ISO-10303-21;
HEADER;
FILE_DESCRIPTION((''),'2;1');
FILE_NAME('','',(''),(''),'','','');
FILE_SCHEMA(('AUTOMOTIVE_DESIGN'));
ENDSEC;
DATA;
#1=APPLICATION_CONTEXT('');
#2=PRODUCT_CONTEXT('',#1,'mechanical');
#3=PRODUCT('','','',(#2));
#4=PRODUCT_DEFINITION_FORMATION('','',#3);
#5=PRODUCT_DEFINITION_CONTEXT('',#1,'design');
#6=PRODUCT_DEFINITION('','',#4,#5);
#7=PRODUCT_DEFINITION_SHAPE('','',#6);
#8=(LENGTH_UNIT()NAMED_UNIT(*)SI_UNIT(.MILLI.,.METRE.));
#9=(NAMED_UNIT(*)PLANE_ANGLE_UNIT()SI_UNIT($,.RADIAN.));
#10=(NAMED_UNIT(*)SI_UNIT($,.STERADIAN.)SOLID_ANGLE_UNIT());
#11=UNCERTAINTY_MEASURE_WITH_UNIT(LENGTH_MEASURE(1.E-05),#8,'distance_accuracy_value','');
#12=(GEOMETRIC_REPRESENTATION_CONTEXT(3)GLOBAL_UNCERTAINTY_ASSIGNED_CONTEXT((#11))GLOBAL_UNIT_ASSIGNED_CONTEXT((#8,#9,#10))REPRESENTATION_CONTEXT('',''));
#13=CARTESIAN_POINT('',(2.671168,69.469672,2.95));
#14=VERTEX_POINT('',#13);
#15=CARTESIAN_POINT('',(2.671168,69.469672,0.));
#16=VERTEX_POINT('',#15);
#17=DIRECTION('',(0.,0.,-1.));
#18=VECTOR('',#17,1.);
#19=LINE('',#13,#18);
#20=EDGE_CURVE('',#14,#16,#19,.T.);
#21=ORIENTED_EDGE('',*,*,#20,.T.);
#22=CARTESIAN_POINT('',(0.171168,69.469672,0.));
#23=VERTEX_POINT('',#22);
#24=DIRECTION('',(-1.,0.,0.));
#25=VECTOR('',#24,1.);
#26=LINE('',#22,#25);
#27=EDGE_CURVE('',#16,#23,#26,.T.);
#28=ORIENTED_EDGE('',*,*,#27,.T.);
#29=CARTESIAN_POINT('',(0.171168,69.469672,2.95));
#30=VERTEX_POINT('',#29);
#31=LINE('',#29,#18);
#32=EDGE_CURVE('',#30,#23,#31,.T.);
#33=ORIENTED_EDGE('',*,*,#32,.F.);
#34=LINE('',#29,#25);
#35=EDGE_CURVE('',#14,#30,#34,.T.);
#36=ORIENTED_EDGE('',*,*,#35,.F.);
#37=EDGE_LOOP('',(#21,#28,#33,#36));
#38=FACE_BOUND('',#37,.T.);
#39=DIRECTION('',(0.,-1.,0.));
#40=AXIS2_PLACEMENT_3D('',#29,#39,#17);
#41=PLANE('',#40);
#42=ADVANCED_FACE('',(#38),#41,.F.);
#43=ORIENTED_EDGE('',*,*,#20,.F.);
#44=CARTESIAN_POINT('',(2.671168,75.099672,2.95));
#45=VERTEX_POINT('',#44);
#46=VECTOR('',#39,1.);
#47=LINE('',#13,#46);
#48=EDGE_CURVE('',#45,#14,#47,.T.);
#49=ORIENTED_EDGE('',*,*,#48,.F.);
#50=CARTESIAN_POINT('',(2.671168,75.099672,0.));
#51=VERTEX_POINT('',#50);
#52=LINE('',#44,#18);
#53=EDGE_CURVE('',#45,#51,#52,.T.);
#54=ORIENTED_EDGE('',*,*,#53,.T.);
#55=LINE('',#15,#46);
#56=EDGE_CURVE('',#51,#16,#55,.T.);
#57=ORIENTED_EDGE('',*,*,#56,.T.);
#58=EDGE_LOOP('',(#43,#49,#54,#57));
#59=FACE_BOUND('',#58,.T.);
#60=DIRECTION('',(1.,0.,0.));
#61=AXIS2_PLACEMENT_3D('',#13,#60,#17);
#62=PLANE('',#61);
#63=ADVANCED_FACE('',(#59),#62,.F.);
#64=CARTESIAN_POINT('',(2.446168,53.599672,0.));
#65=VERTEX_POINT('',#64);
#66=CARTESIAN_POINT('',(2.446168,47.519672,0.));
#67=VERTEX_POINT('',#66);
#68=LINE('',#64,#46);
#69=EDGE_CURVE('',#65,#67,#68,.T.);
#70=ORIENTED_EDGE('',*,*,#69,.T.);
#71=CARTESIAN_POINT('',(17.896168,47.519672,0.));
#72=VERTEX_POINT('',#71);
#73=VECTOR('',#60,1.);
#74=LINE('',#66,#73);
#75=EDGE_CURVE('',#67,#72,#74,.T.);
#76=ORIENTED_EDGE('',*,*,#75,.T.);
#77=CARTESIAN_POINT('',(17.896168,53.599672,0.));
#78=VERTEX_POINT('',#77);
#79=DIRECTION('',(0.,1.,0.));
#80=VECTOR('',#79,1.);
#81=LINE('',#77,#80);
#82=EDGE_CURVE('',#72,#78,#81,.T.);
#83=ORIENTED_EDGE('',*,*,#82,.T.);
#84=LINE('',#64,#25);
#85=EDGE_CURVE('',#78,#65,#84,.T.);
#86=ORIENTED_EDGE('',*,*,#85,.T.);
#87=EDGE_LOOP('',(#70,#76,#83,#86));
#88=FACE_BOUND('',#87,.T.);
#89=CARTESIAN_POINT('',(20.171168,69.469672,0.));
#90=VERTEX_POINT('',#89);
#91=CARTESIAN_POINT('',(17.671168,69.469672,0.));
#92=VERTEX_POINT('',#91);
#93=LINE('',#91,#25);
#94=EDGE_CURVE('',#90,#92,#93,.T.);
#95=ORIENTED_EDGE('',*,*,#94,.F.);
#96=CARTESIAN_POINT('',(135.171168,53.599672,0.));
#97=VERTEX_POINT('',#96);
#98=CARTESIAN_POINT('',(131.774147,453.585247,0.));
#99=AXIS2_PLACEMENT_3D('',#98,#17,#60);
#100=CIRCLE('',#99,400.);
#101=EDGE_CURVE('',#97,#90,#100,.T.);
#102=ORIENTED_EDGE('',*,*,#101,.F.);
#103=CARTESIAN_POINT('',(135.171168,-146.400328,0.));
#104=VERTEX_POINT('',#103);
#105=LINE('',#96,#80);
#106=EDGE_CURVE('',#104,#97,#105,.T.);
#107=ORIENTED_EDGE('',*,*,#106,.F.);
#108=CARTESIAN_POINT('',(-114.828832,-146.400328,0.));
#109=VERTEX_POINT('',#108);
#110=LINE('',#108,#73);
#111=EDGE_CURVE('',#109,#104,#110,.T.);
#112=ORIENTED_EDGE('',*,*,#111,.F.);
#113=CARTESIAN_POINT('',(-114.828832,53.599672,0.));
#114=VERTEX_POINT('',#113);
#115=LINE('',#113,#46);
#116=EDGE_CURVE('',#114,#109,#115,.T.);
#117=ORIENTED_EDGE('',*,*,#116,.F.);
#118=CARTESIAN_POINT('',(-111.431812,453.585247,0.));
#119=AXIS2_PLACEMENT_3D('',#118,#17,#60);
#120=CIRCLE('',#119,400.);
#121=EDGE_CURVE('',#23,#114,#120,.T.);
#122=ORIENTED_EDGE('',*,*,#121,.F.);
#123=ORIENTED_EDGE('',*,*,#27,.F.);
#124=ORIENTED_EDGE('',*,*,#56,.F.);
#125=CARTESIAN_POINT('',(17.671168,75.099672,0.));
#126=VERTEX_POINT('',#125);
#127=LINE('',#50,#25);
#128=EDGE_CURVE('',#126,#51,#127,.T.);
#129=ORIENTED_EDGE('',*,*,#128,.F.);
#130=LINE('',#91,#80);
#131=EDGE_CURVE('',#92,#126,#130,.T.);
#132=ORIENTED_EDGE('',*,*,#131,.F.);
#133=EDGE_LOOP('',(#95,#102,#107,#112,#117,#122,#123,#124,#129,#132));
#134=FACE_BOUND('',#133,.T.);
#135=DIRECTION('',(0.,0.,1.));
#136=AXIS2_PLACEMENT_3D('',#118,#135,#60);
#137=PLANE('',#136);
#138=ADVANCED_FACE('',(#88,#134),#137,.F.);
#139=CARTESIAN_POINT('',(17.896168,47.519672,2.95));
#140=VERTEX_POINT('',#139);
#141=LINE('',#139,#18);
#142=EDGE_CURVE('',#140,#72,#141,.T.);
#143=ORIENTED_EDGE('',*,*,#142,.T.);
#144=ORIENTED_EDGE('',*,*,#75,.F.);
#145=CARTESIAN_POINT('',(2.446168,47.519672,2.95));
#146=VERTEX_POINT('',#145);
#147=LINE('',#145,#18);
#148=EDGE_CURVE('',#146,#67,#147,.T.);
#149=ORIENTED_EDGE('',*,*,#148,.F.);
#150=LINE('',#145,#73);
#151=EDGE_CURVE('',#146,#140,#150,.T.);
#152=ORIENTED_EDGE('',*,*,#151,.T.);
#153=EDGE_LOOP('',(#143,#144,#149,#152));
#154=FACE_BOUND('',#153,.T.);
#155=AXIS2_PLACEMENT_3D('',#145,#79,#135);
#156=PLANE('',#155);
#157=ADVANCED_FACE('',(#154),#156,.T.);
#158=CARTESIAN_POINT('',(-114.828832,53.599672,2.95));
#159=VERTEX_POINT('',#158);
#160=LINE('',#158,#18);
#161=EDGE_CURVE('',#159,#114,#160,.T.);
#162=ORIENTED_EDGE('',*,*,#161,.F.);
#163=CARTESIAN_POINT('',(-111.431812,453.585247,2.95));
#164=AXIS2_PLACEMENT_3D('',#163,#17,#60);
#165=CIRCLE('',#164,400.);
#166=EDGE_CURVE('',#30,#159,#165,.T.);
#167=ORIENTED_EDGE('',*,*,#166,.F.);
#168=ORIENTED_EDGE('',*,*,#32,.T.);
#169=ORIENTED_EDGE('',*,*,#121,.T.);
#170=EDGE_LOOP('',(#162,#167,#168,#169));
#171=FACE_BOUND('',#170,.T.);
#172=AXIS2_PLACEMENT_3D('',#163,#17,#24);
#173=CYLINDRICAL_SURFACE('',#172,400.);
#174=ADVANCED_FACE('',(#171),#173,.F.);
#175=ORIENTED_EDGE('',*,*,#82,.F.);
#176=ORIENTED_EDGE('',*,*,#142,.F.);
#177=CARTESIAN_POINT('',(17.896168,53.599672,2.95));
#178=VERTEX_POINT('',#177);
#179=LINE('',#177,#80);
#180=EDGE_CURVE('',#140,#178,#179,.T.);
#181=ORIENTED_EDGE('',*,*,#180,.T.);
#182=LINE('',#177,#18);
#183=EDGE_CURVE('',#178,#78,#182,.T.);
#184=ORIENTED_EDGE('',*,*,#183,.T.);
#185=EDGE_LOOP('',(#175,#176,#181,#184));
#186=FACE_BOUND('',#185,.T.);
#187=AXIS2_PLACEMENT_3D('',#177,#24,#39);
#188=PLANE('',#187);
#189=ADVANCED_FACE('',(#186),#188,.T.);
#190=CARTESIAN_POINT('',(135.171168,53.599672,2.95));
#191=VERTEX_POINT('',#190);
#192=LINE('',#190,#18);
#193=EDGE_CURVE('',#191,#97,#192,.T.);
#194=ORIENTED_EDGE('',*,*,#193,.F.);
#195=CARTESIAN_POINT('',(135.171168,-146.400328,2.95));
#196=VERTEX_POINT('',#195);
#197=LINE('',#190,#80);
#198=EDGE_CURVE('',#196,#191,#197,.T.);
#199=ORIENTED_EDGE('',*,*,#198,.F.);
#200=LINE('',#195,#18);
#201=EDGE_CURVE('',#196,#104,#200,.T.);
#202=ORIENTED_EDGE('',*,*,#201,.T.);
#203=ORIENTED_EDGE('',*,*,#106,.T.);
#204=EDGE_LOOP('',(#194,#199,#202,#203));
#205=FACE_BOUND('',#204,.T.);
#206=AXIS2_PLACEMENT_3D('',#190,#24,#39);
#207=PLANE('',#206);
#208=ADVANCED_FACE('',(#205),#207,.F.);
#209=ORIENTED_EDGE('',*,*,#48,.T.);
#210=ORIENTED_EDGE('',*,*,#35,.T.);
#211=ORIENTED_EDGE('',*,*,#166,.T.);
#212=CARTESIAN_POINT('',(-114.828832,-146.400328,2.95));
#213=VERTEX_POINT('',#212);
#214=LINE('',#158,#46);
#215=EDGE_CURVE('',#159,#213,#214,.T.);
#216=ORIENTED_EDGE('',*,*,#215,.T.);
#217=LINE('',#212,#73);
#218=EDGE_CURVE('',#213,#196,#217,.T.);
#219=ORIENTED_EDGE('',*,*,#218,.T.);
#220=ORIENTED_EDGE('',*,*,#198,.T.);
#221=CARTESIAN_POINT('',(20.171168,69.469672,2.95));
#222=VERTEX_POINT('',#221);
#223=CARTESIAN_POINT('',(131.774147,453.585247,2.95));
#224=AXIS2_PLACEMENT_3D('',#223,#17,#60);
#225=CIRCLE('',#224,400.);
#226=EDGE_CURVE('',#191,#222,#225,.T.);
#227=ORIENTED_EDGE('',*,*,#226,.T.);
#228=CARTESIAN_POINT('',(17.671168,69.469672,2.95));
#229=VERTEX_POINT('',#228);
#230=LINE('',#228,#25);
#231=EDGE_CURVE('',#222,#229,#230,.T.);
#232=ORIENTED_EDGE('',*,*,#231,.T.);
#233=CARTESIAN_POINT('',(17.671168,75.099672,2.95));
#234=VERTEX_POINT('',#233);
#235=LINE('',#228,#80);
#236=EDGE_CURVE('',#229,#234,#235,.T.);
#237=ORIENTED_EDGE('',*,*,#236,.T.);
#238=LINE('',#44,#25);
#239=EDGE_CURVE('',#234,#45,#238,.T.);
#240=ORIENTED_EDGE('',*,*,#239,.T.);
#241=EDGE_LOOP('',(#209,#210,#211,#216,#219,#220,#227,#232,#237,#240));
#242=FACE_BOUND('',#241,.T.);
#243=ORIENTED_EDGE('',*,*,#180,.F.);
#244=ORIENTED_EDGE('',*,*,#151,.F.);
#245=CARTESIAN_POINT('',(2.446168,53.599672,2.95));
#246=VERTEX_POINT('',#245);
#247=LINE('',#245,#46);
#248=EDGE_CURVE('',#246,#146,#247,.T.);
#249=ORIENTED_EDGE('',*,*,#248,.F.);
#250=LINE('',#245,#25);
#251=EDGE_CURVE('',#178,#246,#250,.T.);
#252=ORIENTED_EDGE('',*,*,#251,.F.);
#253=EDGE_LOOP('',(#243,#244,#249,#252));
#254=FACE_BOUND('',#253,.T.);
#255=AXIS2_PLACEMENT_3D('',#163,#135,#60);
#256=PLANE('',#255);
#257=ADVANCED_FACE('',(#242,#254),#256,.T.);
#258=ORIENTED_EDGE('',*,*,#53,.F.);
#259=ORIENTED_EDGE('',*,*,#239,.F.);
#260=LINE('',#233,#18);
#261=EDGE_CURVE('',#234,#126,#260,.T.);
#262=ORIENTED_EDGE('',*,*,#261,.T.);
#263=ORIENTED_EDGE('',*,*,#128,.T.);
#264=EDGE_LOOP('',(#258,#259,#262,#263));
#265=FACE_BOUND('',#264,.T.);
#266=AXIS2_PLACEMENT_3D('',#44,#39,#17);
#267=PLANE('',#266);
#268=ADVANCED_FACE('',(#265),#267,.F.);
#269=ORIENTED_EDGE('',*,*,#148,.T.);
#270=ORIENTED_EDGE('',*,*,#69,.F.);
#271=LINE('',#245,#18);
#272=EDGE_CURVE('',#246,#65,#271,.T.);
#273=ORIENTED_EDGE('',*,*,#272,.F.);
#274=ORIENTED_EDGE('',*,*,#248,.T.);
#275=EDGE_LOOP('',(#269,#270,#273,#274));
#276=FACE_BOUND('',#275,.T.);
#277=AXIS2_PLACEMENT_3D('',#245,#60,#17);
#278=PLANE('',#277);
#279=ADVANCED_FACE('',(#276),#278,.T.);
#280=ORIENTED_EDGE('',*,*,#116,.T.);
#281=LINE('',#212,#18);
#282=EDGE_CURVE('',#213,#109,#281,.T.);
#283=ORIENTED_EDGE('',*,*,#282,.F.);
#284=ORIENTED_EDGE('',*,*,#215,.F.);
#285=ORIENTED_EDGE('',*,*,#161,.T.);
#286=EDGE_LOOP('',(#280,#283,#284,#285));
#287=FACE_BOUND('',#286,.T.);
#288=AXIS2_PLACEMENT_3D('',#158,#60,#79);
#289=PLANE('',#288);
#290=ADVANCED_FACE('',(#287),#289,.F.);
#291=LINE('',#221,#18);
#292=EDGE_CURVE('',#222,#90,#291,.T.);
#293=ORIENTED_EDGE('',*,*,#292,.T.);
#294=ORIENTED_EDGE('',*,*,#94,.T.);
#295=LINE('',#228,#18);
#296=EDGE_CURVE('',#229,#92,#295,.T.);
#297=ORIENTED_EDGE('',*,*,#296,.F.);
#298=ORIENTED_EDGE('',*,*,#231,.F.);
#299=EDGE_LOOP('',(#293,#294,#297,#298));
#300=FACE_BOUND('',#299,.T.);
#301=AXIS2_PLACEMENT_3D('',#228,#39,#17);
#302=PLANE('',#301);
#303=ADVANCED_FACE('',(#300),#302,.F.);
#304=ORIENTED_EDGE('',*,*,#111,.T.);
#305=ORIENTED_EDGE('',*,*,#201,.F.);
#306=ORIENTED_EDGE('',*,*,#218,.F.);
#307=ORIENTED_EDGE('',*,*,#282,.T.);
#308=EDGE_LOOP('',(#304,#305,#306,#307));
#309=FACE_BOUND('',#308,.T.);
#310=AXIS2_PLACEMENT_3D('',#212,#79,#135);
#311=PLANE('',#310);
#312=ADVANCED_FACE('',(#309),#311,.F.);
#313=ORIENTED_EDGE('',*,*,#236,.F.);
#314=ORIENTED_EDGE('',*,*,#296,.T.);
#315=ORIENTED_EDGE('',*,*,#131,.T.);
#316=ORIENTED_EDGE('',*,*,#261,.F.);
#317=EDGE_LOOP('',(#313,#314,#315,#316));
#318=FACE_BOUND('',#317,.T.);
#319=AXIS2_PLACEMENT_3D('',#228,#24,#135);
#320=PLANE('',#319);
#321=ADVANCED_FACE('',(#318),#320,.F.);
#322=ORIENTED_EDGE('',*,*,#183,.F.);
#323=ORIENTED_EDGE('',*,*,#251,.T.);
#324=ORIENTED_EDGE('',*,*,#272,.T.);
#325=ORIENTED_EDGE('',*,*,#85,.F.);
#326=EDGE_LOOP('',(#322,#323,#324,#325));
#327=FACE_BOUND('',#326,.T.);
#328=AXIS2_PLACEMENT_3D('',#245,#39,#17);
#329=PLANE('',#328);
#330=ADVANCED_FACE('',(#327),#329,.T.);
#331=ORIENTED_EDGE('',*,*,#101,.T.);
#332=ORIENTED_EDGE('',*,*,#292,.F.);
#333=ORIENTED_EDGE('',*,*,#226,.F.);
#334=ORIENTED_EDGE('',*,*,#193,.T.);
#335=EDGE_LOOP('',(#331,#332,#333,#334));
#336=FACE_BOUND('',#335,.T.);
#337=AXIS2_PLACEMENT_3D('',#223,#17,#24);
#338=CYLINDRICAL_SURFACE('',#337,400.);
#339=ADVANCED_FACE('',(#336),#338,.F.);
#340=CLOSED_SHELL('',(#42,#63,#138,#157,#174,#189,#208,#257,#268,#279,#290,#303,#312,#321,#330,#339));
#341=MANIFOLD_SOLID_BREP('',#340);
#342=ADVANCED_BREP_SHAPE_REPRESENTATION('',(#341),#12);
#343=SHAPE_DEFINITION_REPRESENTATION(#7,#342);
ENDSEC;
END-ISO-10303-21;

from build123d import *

# Parameters (mm, degrees)
SKETCH1_W           = 15.45
SKETCH1_H           = 6.08
BOSS_EXTRUDE1_DEPTH = 2.95


with BuildPart() as part:
    # Sketch1 → Boss-Extrude1 (new body)
    with BuildSketch(Plane.XY):
        with BuildLine():
            Line((0.171167624, 69.469671818), (2.671167624, 69.469671818))
            Line((2.671167624, 69.469671818), (2.671167624, 75.099671818))
            Line((2.671167624, 75.099671818), (17.671167624, 75.099671818))
            Line((17.671167624, 75.099671818), (17.671167624, 69.469671818))
            Line((17.671167624, 69.469671818), (20.171167624, 69.469671818))
            ThreePointArc((20.171167624, 69.469671818), (77.092371221, 57.340494982), (135.171167624, 53.599671818))
            Line((135.171167624, 53.599671818), (135.171167624, -146.400328182))
            Line((135.171167624, -146.400328182), (-114.828832376, -146.400328182))
            Line((-114.828832376, -146.400328182), (-114.828832376, 53.599671818))
            ThreePointArc((-114.828832376, 53.599671818), (-56.750035973, 57.340494982), (0.171167624, 69.469671818))
        make_face()
        with Locations((10.171167624, 50.559671818)):
            Rectangle(SKETCH1_W, SKETCH1_H, mode=Mode.SUBTRACT)
    extrude(amount=BOSS_EXTRUDE1_DEPTH)


solid = part.part
